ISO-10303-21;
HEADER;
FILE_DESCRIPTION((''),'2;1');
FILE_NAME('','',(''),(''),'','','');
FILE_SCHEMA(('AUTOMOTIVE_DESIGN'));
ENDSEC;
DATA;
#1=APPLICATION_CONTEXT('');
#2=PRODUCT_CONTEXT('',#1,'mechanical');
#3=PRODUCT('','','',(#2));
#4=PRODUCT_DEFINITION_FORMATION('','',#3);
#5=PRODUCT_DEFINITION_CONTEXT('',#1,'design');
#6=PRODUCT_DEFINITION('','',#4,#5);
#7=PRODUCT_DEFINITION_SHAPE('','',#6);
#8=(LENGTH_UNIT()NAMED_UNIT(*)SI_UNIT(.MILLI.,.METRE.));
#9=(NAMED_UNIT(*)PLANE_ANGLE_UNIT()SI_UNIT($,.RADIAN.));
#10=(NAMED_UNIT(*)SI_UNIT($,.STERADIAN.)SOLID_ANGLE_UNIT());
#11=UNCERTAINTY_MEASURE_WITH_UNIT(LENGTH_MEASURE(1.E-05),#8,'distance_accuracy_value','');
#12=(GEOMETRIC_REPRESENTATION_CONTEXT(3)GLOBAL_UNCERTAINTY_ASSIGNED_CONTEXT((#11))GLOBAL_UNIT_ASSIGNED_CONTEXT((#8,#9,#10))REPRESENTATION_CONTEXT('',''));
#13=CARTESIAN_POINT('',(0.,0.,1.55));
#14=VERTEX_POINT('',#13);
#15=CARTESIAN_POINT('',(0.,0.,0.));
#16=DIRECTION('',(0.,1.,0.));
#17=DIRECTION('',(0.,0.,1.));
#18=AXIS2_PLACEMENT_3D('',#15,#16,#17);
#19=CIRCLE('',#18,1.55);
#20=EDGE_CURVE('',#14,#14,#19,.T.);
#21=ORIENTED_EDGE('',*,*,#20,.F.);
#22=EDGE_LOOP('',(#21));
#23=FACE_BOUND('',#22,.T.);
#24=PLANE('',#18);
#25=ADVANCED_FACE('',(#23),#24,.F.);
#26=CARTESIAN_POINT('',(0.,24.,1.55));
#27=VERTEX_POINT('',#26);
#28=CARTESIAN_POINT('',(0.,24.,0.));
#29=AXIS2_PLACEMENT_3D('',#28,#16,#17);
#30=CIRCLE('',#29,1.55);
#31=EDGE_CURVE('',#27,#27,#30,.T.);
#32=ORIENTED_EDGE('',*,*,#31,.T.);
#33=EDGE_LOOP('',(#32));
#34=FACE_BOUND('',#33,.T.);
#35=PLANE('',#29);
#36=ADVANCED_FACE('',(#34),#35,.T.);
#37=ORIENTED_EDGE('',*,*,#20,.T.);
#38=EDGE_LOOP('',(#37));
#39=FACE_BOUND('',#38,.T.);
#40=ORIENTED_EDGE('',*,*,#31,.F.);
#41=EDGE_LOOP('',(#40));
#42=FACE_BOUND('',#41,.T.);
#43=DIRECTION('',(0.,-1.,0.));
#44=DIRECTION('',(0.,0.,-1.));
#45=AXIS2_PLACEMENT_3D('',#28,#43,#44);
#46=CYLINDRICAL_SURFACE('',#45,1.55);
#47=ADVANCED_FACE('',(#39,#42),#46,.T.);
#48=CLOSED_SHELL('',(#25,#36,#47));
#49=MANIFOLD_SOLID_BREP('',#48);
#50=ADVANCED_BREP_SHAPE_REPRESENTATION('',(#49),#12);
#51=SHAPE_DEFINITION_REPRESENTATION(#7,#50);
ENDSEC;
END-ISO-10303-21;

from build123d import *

# Parameters (mm, degrees)
ESQUISSE1_R        = 1.55
BOSS_EXTRU_1_DEPTH = 24


with BuildPart() as part:
    # Esquisse1 → Boss.-Extru.1 (new body)
    with BuildSketch(Plane(origin=(0, 0, 0), x_dir=(1, 0, 0), z_dir=(0, 1, 0))):
        with Locations(Location((0, 0, 0), (0, 0, 270))):
            Circle(ESQUISSE1_R)
    extrude(amount=BOSS_EXTRU_1_DEPTH)


solid = part.part
